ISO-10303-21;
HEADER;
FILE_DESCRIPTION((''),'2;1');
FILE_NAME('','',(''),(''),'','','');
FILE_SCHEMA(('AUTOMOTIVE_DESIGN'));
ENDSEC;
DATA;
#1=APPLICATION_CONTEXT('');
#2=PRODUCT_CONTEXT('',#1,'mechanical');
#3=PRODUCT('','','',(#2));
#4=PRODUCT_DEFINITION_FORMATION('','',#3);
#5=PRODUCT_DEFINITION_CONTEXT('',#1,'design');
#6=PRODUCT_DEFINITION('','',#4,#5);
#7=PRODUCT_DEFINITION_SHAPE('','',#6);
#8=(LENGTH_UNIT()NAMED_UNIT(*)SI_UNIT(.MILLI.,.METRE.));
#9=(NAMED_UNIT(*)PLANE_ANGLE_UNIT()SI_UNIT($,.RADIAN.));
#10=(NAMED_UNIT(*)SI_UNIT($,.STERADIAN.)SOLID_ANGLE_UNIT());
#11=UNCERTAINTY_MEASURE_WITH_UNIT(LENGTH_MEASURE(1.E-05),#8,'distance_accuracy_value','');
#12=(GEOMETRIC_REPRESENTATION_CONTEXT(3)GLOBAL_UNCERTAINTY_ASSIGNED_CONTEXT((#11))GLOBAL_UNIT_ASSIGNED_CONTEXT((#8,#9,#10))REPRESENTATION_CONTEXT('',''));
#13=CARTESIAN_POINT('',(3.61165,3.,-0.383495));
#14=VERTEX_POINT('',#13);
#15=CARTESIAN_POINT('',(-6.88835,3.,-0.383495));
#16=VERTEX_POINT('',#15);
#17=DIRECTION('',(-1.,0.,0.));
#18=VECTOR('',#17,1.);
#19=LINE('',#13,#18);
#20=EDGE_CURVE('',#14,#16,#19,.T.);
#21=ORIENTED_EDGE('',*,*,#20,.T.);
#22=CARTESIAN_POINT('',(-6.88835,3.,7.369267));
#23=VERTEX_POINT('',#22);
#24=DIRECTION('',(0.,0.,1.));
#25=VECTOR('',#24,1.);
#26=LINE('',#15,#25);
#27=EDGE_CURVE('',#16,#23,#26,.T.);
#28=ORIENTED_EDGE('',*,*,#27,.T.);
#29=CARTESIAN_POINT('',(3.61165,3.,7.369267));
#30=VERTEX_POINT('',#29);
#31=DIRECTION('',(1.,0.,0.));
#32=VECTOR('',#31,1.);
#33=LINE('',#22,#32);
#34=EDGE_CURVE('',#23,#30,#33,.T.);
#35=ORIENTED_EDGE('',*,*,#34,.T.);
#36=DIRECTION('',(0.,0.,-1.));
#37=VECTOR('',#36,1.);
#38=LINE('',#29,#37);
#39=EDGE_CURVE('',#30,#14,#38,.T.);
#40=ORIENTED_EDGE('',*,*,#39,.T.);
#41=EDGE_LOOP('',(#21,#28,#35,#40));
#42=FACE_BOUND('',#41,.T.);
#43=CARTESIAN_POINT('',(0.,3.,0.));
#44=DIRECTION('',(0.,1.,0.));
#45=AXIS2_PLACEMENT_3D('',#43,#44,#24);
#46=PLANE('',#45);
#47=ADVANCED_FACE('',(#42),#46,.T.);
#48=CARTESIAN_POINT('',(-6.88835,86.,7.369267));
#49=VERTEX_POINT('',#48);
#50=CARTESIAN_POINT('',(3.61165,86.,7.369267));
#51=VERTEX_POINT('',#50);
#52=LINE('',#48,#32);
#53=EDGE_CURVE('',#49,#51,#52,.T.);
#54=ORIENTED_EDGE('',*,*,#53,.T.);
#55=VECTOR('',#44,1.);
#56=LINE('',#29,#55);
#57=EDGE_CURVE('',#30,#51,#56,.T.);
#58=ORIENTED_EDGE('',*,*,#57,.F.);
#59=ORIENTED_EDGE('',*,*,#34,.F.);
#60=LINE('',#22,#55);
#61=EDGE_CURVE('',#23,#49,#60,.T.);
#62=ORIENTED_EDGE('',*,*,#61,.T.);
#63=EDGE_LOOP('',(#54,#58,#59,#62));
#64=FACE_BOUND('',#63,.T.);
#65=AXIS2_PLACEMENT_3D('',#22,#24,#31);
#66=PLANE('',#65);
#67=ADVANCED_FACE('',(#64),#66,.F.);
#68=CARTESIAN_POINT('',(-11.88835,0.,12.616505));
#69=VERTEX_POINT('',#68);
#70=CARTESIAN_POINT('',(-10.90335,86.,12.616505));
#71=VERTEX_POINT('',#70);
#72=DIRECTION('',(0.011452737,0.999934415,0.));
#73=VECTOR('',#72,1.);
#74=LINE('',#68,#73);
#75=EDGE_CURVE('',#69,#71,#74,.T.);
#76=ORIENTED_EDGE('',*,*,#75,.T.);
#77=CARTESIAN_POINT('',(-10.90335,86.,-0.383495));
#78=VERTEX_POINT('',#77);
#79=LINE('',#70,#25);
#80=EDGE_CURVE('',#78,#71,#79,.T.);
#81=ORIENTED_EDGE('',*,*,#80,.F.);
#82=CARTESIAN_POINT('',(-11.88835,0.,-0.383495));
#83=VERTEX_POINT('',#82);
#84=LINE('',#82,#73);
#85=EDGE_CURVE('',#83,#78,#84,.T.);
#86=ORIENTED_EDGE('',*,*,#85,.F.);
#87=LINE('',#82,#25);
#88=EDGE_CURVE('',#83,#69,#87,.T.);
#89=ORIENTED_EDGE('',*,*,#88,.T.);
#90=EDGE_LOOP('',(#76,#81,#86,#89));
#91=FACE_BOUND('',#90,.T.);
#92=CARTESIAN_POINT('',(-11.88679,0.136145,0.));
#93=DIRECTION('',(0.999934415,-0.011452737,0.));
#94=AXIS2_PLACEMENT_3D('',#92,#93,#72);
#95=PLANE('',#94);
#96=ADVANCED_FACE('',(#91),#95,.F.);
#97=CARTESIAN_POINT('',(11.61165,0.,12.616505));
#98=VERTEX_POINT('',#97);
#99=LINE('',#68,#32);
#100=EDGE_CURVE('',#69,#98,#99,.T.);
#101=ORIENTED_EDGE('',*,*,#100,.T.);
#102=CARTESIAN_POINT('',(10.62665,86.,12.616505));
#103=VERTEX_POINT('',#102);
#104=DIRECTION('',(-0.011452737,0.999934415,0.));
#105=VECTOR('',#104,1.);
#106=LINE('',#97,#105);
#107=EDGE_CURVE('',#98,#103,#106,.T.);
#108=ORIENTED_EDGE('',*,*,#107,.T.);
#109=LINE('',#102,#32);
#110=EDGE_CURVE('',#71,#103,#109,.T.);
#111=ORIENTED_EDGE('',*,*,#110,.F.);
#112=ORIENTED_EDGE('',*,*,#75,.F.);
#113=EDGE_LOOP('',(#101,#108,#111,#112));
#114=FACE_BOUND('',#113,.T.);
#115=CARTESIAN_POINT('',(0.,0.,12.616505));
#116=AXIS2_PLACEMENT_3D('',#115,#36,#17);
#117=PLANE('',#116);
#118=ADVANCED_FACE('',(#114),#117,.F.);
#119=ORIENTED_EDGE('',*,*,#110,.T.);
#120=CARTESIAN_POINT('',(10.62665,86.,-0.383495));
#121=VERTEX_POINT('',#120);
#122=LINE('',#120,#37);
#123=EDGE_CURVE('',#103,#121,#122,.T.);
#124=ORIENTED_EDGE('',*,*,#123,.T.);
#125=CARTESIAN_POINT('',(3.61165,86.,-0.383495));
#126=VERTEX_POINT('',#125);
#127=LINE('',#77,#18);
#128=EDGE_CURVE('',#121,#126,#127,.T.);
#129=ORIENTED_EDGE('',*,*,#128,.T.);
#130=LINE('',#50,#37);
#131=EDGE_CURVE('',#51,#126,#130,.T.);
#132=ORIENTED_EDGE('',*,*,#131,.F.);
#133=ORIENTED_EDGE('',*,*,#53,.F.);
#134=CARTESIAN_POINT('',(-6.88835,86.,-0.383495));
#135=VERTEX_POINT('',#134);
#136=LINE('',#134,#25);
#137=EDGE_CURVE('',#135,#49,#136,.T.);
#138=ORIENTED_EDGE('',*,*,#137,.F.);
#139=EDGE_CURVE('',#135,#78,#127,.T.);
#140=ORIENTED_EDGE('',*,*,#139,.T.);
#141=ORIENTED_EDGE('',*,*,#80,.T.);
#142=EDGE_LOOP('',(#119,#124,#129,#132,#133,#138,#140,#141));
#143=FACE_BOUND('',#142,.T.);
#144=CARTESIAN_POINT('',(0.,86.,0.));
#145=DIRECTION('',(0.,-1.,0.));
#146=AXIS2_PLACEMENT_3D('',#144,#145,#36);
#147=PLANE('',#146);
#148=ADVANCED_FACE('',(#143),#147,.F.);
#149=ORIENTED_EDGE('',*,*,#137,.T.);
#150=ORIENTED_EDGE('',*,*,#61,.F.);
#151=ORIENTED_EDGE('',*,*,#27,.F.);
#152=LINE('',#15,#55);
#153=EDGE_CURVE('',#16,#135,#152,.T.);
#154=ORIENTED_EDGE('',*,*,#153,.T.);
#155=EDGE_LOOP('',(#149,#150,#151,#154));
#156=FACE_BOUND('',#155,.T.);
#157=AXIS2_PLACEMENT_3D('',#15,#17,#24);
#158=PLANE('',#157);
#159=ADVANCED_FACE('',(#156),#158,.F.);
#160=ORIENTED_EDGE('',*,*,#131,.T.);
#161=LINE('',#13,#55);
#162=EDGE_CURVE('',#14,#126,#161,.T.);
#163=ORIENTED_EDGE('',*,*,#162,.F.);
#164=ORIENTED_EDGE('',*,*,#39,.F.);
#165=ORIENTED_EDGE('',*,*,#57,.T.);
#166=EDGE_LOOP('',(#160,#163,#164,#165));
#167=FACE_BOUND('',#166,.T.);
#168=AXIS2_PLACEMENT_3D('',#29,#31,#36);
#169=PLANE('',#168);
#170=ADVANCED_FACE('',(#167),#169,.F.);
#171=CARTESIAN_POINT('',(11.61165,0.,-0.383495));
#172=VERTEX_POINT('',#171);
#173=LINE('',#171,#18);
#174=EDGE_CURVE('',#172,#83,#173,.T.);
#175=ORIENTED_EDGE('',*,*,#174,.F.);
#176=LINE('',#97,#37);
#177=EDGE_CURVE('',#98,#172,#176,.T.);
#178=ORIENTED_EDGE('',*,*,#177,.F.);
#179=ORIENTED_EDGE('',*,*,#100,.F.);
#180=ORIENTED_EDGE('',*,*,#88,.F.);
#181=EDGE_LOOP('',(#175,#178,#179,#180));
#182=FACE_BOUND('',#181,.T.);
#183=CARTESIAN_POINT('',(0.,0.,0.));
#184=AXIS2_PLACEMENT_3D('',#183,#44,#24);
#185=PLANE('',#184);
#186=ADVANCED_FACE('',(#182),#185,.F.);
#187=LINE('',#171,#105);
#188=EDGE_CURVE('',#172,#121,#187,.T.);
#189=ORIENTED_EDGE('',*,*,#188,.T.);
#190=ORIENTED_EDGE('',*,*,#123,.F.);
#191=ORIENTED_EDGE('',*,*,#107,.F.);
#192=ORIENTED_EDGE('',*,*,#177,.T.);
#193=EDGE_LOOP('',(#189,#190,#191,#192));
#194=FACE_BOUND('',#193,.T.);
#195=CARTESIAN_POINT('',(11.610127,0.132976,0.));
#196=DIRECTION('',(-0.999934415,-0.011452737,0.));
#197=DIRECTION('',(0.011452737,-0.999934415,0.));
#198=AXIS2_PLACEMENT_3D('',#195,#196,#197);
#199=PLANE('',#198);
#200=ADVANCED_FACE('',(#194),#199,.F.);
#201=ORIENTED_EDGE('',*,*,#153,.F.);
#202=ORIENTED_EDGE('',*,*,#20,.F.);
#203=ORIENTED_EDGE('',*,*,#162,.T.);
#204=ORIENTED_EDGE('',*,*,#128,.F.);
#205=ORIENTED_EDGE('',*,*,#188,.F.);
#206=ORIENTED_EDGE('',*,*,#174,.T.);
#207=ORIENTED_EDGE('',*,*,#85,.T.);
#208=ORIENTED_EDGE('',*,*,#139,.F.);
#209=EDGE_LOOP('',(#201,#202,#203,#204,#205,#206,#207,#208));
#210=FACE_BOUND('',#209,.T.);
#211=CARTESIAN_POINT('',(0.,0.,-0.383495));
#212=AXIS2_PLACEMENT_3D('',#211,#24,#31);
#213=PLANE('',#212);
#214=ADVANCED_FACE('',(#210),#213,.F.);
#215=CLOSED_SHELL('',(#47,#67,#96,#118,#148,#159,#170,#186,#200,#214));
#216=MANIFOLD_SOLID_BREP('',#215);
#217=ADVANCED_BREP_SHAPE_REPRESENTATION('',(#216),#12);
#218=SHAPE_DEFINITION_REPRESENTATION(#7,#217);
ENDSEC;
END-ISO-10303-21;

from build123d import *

# Parameters (mm, degrees)
SKETCH3_W          = 10.5
SKETCH3_H          = 7.752761779
CUT_EXTRUDE1_DEPTH = 83


with BuildPart() as part:
    # Sketch1 → Loft1 section 0
    with BuildSketch(Plane(origin=(0, 0, 0), x_dir=(1, 0, 0), z_dir=(0, 1, 0))):
        with BuildLine():
            Line((-11.888349515, -12.616504854), (11.611650485, -12.616504854))
            Line((11.611650485, -12.616504854), (11.611650485, 0.383495146))
            Line((11.611650485, 0.383495146), (-11.888349515, 0.383495146))
            Line((-11.888349515, 0.383495146), (-11.888349515, -12.616504854))
        make_face()
    # Sketch2 → Loft1 section 1
    with BuildSketch(Plane(origin=(0, 86, 0), x_dir=(1, 0, 0), z_dir=(0, 1, 0))):
        with BuildLine():
            Line((-10.903349515, -12.616504854), (-10.903349515, 0.383495146))
            Line((-10.903349515, 0.383495146), (10.626650485, 0.383495146))
            Line((10.626650485, 0.383495146), (10.626650485, -12.616504854))
            Line((10.626650485, -12.616504854), (-10.903349515, -12.616504854))
        make_face()
    loft()

    # Sketch3 → Cut-Extrude1 (cut)
    with BuildSketch(Plane(origin=(0, 86, 0), x_dir=(1, 0, 0), z_dir=(0, 1, 0))):
        with Locations((-1.638349515, -3.492885744)):
            Rectangle(SKETCH3_W, SKETCH3_H)
    extrude(amount=-CUT_EXTRUDE1_DEPTH, mode=Mode.SUBTRACT)


solid = part.part
